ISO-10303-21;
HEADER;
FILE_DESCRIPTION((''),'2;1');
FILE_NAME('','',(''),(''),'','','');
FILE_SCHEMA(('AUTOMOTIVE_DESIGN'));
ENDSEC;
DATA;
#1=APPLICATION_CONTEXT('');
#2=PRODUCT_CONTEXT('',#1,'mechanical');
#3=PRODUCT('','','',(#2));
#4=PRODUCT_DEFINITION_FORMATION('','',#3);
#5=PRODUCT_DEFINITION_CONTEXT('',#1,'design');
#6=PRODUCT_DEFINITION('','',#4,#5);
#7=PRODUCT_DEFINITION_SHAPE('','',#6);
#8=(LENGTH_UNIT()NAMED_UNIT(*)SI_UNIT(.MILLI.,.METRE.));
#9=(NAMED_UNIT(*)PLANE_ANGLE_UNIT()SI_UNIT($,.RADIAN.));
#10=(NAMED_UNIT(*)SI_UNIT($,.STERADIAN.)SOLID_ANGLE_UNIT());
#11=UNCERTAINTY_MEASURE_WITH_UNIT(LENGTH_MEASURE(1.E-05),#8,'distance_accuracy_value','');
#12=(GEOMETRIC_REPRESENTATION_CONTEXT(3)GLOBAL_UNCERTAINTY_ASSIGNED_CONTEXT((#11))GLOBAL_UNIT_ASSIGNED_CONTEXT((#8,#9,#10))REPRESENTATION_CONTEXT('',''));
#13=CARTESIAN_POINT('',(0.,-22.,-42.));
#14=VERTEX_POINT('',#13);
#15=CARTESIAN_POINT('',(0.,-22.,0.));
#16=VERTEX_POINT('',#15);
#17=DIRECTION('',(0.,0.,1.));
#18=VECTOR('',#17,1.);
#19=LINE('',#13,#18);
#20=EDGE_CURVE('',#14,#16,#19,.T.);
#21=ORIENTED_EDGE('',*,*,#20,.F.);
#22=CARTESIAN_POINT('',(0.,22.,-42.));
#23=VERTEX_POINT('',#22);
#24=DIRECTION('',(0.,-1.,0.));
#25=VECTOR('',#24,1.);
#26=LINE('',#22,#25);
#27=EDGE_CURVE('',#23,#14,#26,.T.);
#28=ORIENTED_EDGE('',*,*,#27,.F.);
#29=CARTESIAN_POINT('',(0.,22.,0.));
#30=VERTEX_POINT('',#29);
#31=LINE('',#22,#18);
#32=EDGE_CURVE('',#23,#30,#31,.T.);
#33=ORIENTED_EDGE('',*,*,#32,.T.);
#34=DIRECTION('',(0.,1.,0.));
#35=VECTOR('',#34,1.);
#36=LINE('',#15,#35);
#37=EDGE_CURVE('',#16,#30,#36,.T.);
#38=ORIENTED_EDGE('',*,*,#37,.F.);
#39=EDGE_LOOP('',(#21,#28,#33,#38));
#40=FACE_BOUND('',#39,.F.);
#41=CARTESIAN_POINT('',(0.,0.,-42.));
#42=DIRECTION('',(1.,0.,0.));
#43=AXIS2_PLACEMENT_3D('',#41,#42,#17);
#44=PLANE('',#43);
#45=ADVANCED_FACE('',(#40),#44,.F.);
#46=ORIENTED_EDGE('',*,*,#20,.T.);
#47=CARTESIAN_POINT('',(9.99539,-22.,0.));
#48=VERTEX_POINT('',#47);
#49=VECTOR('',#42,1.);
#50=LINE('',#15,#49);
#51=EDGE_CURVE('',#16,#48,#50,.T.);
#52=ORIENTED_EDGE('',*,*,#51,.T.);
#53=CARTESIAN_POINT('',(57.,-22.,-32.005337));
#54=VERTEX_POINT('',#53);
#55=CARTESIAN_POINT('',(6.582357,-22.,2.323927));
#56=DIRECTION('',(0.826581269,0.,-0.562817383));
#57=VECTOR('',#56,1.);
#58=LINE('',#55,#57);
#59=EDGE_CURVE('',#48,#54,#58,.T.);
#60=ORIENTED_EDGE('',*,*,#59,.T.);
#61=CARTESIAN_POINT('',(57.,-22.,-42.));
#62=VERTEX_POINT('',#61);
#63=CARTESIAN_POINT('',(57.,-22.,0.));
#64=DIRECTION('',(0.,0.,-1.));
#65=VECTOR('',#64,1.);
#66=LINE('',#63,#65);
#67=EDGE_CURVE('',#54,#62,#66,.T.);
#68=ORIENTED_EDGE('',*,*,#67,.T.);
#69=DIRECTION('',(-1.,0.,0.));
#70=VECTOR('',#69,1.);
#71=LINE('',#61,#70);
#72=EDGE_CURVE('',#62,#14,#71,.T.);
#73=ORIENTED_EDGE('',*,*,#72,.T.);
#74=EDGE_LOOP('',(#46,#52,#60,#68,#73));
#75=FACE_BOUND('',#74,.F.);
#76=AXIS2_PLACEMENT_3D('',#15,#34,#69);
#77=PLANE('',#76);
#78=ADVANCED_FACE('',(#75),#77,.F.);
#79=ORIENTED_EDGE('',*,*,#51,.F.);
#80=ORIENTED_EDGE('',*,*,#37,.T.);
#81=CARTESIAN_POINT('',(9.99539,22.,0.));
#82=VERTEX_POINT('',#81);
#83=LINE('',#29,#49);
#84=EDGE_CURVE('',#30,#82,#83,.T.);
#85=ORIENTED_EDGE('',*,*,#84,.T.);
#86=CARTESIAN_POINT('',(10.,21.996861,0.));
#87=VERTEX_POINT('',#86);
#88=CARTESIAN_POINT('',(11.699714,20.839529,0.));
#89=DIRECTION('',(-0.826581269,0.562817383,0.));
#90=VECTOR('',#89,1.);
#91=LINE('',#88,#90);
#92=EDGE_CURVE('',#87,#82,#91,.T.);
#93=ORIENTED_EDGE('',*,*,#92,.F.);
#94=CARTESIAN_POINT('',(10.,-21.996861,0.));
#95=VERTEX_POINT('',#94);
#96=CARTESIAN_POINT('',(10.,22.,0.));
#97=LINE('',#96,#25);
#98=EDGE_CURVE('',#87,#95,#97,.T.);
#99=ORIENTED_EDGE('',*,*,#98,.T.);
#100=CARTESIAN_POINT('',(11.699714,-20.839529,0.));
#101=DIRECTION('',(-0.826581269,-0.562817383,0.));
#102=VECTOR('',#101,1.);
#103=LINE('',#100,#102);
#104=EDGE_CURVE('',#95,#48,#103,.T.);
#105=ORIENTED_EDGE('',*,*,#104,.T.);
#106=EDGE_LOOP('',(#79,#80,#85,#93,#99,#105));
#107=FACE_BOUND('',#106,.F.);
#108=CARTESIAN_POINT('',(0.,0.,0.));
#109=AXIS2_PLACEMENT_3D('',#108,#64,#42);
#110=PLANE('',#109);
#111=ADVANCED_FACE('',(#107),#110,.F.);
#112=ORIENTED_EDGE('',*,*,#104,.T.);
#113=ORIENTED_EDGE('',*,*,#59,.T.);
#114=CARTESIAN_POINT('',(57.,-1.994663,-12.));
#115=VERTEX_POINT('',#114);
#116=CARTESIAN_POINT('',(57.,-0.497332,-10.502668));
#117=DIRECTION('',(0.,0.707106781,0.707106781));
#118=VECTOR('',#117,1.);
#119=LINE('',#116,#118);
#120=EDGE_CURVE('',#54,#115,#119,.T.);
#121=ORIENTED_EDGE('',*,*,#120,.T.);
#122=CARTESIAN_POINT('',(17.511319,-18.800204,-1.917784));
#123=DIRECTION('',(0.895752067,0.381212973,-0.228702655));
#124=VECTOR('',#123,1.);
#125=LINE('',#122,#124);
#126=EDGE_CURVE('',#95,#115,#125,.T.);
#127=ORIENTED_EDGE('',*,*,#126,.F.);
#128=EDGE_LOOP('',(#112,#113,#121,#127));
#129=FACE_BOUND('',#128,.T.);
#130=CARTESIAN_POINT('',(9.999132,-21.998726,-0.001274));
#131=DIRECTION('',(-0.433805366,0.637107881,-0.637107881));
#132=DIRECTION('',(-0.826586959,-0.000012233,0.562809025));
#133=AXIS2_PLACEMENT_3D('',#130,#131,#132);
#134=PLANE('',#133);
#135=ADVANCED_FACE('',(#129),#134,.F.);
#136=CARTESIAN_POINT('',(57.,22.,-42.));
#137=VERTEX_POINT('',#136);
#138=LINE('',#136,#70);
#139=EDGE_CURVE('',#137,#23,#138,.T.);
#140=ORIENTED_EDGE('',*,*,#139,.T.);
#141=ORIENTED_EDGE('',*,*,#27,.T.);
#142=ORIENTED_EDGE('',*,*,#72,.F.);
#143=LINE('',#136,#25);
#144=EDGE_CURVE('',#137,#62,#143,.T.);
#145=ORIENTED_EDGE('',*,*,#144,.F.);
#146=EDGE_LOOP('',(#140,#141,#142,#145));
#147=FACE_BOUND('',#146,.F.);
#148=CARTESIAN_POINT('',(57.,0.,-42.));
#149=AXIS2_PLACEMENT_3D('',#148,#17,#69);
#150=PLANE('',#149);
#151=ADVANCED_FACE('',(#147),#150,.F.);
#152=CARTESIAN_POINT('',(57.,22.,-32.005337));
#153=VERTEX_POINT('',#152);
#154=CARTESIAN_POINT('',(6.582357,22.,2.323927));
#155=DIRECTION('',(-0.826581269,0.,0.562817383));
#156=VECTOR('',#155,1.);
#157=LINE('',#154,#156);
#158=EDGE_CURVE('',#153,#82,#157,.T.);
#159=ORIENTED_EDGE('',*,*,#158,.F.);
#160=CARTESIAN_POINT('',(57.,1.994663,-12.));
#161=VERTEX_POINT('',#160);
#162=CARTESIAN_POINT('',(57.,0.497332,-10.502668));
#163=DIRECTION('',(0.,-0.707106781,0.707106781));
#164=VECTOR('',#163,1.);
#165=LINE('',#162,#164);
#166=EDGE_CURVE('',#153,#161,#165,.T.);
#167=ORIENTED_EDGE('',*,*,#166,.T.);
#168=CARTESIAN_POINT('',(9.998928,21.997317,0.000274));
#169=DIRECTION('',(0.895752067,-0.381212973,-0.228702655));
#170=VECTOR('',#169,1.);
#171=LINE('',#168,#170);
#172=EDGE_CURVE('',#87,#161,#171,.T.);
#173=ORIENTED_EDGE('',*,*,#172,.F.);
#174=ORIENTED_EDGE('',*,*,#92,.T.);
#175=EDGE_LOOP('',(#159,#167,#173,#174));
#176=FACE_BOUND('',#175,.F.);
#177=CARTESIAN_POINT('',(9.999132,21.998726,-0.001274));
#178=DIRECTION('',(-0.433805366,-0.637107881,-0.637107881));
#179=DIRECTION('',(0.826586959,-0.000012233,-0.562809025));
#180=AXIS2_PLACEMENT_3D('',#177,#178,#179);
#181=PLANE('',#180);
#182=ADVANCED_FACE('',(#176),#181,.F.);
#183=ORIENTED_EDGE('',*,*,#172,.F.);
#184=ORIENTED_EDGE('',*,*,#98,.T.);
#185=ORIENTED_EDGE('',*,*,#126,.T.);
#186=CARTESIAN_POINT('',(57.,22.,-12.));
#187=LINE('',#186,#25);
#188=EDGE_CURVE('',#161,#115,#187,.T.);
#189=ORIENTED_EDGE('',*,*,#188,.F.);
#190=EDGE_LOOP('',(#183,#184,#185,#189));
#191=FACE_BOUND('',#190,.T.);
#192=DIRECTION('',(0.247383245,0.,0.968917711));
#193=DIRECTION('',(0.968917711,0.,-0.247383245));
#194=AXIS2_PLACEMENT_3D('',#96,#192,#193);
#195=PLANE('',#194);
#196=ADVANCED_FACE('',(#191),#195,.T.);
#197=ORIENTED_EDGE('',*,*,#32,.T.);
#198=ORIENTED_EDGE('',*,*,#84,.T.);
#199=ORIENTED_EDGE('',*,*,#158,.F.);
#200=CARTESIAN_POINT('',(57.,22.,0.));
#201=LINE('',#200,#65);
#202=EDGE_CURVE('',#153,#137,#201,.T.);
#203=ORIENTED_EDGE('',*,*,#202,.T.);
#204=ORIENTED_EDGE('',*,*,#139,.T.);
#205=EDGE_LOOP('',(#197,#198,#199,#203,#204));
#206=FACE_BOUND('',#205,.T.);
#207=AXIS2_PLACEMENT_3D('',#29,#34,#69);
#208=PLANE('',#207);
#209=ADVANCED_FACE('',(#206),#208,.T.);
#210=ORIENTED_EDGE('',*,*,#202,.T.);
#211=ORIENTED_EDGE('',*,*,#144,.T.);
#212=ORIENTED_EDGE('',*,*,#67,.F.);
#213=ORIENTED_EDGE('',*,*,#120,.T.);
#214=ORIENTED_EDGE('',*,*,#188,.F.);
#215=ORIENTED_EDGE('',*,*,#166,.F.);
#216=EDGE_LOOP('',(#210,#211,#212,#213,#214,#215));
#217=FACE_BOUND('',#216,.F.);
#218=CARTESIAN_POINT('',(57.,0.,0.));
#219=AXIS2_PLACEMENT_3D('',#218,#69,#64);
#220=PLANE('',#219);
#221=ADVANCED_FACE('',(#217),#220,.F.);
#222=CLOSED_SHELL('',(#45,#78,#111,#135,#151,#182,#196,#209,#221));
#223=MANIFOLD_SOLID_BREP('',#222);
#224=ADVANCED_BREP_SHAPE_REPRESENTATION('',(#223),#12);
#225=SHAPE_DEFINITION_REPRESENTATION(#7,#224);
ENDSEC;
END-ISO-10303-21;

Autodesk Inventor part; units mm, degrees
ref_plane "YZ Plane" through (0, 0, 0) normal (1, 0, 0) x (0, 1, 0)
ref_plane "XZ Plane" through (0, 0, 0) normal (0, 1, 0) x (-1, 0, 0)
sketch "草圖1" plane through (0, 0, 0) normal (0, 1, 0) x (-1, 0, 0)
  line L0 (0, 0) -> (-57, 0)
  line L1 (-57, 0) -> (-57, -42)
  line L2 (-57, -42) -> (0, -42)
  line L3 (0, -42) -> (0, 0)
  dimension "d0" = 57
  dimension "d1" = 42
extrude "擠出1" add sketch "草圖1" along normal mid plane 44
sketch "草圖2" plane through (0, 22, 0) normal (0, 1, 0) x (1, 0, 0)
  line L0 (0, 0) -> (57, 0) projected
  line L1 (10, 0) -> (57, 12)
  line L2 (57, 0) -> (57, 42) projected
  dimension "d4" = 10
  dimension "d5" = 30
extrude "擠出2" cut sketch "草圖2" against normal blind 60
sketch "草圖3" plane through (57, -22, -42) normal (1, 0, 0) x (0, 0, -1)
  line L0 (-30, 24) -> (-10, 44)
  line L1 (0, 44) -> (-42, 44) projected
  line L2 (-30, 44) -> (-30, 0) projected
  point P0 (-42, 22)
  point P1 (-30, 2)
  dimension "d8" = 20
  dimension "d9" = 20
ref_plane "工作平面1" through (10, 22, 0) normal (-0.4338, -0.6371, -0.6371) x (0.8266, 0, -0.5628)
sketch "草圖4" plane through (10, 22, 0) normal (-0.4338, -0.6371, -0.6371) x (0.8266, 0, -0.5628)
  line L0 (-15.1543, -12.3218) -> (93.717, -12.3218)
  line L1 (93.717, -12.3218) -> (93.717, 28.8166)
  line L2 (93.717, 28.8166) -> (-15.1543, 28.8166)
  line L3 (-15.1543, 28.8166) -> (-15.1543, -12.3218)
  point P0 (-8.266, 13.3713)
extrude "擠出3" cut sketch "草圖4" against normal blind 40
mirror "鏡射1" about plane through (0, 0, 0) normal (0, 1, 0) of "擠出3"
properties part number "56"
